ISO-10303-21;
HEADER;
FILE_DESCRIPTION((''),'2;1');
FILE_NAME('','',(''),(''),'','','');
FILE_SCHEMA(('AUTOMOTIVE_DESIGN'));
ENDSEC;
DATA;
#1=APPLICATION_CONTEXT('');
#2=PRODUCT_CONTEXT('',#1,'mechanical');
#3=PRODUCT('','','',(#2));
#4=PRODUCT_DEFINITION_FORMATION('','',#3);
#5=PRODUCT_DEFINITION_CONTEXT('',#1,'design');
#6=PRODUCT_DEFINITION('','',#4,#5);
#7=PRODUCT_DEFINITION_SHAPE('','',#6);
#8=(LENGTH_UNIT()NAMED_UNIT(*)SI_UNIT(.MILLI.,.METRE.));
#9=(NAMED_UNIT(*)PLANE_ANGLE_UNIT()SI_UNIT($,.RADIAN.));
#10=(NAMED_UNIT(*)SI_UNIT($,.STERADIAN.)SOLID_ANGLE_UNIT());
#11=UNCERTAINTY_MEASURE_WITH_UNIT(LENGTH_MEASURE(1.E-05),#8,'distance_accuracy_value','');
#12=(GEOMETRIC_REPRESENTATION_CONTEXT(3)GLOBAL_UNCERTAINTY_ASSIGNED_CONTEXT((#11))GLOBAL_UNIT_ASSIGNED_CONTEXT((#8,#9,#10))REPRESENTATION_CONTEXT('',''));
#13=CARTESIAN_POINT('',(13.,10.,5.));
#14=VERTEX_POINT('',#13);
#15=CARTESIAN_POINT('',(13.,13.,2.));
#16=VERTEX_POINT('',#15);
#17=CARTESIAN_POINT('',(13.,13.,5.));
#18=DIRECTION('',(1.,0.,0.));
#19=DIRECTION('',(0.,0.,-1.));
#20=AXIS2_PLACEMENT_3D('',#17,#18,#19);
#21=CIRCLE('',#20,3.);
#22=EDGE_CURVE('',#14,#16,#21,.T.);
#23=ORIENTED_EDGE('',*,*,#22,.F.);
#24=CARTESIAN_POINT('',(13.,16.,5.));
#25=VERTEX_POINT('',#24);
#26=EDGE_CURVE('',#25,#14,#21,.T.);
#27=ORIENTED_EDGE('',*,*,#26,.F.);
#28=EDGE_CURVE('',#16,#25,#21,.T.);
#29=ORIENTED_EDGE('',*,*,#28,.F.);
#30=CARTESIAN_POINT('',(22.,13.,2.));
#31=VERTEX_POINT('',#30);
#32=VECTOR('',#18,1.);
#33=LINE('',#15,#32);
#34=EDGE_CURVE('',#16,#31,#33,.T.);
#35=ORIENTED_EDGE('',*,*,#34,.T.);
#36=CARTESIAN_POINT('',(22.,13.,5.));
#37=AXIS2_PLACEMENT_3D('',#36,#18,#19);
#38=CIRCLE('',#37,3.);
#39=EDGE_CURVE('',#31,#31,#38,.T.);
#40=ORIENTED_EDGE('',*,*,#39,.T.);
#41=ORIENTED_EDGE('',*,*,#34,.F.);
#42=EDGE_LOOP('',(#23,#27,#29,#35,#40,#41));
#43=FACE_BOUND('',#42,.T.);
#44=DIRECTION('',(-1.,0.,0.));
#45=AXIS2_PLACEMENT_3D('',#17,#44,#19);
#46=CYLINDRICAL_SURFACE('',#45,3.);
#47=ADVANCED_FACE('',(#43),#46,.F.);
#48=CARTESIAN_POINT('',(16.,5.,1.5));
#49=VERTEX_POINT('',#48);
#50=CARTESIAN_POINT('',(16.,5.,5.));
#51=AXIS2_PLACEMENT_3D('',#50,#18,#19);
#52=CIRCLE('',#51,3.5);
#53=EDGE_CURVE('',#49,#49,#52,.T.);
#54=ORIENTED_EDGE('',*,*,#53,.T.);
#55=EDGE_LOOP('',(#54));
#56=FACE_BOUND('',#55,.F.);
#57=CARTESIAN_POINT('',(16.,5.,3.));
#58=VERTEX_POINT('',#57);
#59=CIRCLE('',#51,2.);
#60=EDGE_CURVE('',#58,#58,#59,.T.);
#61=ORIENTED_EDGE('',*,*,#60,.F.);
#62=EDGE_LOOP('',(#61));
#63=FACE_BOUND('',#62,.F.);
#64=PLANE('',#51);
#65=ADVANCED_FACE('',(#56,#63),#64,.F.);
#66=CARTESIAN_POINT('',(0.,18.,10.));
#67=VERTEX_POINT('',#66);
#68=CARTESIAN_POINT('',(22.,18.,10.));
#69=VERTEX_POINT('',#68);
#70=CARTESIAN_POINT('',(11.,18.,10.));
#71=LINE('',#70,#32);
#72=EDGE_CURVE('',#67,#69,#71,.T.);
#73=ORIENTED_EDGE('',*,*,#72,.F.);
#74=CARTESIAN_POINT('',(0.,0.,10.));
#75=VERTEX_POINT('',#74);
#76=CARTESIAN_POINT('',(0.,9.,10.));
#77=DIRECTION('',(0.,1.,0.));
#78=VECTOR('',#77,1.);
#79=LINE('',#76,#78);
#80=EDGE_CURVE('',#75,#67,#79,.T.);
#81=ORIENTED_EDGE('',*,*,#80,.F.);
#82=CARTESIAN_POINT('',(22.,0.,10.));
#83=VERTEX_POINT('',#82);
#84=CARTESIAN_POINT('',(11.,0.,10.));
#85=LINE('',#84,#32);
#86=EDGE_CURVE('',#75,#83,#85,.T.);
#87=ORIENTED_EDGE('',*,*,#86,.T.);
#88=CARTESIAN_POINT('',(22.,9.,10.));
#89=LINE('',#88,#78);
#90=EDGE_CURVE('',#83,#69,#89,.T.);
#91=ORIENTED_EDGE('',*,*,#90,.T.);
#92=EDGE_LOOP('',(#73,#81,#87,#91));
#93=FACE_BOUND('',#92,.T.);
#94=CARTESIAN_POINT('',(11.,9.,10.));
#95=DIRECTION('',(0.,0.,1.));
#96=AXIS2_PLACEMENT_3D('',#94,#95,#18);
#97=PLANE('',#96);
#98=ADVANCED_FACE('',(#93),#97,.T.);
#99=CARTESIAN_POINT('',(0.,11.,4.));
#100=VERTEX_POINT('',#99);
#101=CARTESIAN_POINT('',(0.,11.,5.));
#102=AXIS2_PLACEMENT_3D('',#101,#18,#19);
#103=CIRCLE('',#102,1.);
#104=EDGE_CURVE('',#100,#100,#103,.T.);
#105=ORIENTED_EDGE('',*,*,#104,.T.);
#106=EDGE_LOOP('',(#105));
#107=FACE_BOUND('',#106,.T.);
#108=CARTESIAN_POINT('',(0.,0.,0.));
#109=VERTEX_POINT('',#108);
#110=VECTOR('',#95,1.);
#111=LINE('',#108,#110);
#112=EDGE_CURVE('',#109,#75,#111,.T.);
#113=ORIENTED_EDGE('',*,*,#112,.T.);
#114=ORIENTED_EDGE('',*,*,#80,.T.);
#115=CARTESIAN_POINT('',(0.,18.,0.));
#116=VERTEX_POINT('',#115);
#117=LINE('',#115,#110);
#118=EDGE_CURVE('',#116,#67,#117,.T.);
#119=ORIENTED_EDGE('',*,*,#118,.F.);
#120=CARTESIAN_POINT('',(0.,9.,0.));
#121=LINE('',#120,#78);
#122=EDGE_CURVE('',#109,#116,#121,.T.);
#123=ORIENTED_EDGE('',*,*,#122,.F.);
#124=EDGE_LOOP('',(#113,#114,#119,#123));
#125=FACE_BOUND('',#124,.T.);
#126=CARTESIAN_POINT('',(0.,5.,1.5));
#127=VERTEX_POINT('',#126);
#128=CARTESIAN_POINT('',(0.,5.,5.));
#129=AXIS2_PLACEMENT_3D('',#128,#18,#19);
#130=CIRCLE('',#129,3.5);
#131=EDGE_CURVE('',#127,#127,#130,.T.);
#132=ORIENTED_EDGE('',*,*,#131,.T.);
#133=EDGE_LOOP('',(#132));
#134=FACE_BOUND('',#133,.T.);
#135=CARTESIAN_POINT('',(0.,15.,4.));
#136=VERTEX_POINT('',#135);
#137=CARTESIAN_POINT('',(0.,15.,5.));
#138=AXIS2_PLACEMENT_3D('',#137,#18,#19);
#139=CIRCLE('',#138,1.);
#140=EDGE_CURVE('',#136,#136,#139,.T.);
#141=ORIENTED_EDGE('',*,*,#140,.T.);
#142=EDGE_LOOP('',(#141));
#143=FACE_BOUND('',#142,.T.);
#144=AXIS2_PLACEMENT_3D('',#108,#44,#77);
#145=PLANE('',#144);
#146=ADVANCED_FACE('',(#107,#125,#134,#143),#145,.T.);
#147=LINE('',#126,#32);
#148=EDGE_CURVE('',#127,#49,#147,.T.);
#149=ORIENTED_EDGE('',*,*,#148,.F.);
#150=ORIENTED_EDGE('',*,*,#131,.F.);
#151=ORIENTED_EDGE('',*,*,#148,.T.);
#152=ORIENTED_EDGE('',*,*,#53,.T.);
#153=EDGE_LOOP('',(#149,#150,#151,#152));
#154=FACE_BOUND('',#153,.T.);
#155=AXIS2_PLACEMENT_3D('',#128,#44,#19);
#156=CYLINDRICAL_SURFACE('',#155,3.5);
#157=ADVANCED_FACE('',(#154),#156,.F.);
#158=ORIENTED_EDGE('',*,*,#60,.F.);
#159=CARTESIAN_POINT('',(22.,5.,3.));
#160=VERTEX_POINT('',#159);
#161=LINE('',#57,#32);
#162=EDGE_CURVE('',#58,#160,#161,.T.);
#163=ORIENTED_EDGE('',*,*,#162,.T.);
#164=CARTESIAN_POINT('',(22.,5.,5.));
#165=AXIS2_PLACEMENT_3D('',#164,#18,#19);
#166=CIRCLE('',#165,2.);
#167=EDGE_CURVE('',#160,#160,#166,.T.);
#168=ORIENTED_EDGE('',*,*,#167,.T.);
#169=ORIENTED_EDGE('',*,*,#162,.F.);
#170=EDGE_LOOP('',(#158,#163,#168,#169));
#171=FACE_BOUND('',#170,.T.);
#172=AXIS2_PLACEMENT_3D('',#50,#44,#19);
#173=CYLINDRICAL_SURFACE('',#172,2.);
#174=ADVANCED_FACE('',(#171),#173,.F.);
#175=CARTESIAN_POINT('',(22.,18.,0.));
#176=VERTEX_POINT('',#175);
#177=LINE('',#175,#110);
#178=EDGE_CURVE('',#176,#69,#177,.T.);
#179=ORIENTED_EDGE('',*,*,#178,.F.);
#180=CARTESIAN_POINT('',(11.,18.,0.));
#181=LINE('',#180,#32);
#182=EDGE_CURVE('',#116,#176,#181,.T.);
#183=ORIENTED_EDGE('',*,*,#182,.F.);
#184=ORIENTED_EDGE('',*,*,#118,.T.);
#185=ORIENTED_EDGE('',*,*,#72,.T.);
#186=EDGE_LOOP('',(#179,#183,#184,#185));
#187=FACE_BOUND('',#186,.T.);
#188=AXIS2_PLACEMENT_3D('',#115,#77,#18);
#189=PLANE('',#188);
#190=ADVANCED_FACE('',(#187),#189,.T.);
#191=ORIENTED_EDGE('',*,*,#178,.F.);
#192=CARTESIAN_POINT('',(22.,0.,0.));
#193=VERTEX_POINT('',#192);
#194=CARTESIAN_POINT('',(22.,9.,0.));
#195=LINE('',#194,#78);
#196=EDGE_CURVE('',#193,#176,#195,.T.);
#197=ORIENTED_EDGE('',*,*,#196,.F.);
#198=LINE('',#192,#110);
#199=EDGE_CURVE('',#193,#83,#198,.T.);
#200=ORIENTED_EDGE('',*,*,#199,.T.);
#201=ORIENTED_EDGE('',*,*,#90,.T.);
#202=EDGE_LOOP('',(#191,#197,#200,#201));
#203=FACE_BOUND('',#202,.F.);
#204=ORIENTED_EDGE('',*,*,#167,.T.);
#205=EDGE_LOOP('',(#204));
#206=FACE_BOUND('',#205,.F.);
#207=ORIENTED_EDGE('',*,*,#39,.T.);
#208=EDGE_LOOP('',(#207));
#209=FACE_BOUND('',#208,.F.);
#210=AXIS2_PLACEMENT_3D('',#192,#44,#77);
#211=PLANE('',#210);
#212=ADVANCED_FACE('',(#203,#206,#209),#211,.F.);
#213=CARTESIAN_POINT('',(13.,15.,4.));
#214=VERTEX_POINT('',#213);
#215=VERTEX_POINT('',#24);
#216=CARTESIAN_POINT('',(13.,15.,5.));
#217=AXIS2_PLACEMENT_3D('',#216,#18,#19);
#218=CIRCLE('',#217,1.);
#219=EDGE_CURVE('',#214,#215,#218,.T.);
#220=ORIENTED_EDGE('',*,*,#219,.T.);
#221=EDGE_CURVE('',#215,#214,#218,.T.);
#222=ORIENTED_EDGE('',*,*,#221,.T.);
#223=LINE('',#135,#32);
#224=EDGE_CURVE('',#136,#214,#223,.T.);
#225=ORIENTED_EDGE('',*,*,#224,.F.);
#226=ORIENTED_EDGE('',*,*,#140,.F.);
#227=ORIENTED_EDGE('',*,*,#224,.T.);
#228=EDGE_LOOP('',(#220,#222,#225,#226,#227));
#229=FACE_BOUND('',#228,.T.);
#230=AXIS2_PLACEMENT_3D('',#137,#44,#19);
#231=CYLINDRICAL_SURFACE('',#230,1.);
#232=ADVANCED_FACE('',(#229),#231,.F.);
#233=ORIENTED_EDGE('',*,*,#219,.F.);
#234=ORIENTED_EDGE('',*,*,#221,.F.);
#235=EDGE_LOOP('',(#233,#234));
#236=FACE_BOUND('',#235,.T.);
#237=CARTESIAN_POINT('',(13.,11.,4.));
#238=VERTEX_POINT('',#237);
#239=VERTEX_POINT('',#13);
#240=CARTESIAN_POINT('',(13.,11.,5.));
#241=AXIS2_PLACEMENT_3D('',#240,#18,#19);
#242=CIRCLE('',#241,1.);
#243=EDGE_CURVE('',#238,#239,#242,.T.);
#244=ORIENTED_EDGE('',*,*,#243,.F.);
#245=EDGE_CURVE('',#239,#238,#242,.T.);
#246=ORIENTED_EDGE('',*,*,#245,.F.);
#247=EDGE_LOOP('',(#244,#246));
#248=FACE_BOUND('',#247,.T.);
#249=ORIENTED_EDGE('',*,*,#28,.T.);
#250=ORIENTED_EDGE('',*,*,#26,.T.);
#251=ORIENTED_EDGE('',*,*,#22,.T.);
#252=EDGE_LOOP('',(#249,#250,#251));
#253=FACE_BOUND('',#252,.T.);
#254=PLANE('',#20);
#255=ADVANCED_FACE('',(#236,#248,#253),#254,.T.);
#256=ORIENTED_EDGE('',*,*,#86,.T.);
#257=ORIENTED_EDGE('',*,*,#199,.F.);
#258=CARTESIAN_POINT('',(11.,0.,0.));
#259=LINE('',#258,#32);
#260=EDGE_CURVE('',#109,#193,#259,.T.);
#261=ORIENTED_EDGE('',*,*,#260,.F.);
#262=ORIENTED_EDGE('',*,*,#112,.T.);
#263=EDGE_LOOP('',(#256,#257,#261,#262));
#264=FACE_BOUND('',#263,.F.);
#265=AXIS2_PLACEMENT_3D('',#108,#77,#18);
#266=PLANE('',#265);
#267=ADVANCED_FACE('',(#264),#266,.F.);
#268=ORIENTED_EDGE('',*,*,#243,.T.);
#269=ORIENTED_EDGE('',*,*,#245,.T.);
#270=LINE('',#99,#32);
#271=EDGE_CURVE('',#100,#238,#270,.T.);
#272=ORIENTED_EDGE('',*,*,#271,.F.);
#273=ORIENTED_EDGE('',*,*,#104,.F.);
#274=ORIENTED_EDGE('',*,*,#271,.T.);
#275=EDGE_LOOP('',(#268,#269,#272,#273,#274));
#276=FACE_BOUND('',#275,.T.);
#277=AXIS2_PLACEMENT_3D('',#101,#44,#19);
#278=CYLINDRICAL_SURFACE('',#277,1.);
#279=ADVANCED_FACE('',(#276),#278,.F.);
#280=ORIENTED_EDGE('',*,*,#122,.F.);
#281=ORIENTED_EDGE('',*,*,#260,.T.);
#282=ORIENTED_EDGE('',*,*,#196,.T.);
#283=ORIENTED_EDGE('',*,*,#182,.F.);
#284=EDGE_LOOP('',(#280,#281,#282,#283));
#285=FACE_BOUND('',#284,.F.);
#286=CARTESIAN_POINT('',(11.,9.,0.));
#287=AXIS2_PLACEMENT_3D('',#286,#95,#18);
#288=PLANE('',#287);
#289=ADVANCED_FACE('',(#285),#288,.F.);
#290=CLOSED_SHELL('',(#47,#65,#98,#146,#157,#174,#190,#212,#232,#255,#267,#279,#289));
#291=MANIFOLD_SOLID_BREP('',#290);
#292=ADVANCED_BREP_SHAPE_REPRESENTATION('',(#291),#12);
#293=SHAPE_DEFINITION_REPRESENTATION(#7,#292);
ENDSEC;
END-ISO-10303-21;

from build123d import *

# Parameters (mm, degrees)
CYLINDER006_R     = 3.5
CYLINDER006_DEPTH = 16
CYLINDER007_R     = 3
CYLINDER007_DEPTH = 9
CYLINDER008_R     = 1
CYLINDER008_DEPTH = 13
CYLINDER009_R     = 1
CYLINDER009_DEPTH = 13
CYLINDER003_R     = 2
CYLINDER003_DEPTH = 6
BOX003_W          = 22
BOX003_H          = 18
BOX003_DEPTH      = 10


with BuildPart() as cylinder006:
    # Cylinder006 → Cylinder006 (new body)
    with BuildSketch(Plane(origin=(0, 5, 5), x_dir=(0, 0, -1), z_dir=(1, 0, 0))):
        Circle(CYLINDER006_R)
    extrude(amount=CYLINDER006_DEPTH)


with BuildPart() as cylinder007:
    # Cylinder007 → Cylinder007 (new body)
    with BuildSketch(Plane(origin=(13, 13, 5), x_dir=(0, 0, -1), z_dir=(1, 0, 0))):
        Circle(CYLINDER007_R)
    extrude(amount=CYLINDER007_DEPTH)


with BuildPart() as cylinder008:
    # Cylinder008 → Cylinder008 (new body)
    with BuildSketch(Plane(origin=(0, 11, 5), x_dir=(0, 0, -1), z_dir=(1, 0, 0))):
        Circle(CYLINDER008_R)
    extrude(amount=CYLINDER008_DEPTH)


with BuildPart() as cylinder009:
    # Cylinder009 → Cylinder009 (new body)
    with BuildSketch(Plane(origin=(0, 15, 5), x_dir=(0, 0, -1), z_dir=(1, 0, 0))):
        Circle(CYLINDER009_R)
    extrude(amount=CYLINDER009_DEPTH)


with BuildPart() as body:
    # Cylinder003 → Cylinder003 (new body)
    with BuildSketch(Plane(origin=(16, 5, 5), x_dir=(0, 0, -1), z_dir=(1, 0, 0))):
        Circle(CYLINDER003_R)
    extrude(amount=CYLINDER003_DEPTH)

    # Fusion: union Cylinder006, Cylinder007, Cylinder008, Cylinder009
    add(cylinder006.part)
    add(cylinder007.part)
    add(cylinder008.part)
    add(cylinder009.part)


with BuildPart() as cut003:
    # Box003 → Box003 (new body)
    with BuildSketch(Plane.XY):
        with Locations((11, 9)):
            Rectangle(BOX003_W, BOX003_H)
    extrude(amount=BOX003_DEPTH)

    # Cut003: cut Body
    add(body.part, mode=Mode.SUBTRACT)


solid = cut003.part
